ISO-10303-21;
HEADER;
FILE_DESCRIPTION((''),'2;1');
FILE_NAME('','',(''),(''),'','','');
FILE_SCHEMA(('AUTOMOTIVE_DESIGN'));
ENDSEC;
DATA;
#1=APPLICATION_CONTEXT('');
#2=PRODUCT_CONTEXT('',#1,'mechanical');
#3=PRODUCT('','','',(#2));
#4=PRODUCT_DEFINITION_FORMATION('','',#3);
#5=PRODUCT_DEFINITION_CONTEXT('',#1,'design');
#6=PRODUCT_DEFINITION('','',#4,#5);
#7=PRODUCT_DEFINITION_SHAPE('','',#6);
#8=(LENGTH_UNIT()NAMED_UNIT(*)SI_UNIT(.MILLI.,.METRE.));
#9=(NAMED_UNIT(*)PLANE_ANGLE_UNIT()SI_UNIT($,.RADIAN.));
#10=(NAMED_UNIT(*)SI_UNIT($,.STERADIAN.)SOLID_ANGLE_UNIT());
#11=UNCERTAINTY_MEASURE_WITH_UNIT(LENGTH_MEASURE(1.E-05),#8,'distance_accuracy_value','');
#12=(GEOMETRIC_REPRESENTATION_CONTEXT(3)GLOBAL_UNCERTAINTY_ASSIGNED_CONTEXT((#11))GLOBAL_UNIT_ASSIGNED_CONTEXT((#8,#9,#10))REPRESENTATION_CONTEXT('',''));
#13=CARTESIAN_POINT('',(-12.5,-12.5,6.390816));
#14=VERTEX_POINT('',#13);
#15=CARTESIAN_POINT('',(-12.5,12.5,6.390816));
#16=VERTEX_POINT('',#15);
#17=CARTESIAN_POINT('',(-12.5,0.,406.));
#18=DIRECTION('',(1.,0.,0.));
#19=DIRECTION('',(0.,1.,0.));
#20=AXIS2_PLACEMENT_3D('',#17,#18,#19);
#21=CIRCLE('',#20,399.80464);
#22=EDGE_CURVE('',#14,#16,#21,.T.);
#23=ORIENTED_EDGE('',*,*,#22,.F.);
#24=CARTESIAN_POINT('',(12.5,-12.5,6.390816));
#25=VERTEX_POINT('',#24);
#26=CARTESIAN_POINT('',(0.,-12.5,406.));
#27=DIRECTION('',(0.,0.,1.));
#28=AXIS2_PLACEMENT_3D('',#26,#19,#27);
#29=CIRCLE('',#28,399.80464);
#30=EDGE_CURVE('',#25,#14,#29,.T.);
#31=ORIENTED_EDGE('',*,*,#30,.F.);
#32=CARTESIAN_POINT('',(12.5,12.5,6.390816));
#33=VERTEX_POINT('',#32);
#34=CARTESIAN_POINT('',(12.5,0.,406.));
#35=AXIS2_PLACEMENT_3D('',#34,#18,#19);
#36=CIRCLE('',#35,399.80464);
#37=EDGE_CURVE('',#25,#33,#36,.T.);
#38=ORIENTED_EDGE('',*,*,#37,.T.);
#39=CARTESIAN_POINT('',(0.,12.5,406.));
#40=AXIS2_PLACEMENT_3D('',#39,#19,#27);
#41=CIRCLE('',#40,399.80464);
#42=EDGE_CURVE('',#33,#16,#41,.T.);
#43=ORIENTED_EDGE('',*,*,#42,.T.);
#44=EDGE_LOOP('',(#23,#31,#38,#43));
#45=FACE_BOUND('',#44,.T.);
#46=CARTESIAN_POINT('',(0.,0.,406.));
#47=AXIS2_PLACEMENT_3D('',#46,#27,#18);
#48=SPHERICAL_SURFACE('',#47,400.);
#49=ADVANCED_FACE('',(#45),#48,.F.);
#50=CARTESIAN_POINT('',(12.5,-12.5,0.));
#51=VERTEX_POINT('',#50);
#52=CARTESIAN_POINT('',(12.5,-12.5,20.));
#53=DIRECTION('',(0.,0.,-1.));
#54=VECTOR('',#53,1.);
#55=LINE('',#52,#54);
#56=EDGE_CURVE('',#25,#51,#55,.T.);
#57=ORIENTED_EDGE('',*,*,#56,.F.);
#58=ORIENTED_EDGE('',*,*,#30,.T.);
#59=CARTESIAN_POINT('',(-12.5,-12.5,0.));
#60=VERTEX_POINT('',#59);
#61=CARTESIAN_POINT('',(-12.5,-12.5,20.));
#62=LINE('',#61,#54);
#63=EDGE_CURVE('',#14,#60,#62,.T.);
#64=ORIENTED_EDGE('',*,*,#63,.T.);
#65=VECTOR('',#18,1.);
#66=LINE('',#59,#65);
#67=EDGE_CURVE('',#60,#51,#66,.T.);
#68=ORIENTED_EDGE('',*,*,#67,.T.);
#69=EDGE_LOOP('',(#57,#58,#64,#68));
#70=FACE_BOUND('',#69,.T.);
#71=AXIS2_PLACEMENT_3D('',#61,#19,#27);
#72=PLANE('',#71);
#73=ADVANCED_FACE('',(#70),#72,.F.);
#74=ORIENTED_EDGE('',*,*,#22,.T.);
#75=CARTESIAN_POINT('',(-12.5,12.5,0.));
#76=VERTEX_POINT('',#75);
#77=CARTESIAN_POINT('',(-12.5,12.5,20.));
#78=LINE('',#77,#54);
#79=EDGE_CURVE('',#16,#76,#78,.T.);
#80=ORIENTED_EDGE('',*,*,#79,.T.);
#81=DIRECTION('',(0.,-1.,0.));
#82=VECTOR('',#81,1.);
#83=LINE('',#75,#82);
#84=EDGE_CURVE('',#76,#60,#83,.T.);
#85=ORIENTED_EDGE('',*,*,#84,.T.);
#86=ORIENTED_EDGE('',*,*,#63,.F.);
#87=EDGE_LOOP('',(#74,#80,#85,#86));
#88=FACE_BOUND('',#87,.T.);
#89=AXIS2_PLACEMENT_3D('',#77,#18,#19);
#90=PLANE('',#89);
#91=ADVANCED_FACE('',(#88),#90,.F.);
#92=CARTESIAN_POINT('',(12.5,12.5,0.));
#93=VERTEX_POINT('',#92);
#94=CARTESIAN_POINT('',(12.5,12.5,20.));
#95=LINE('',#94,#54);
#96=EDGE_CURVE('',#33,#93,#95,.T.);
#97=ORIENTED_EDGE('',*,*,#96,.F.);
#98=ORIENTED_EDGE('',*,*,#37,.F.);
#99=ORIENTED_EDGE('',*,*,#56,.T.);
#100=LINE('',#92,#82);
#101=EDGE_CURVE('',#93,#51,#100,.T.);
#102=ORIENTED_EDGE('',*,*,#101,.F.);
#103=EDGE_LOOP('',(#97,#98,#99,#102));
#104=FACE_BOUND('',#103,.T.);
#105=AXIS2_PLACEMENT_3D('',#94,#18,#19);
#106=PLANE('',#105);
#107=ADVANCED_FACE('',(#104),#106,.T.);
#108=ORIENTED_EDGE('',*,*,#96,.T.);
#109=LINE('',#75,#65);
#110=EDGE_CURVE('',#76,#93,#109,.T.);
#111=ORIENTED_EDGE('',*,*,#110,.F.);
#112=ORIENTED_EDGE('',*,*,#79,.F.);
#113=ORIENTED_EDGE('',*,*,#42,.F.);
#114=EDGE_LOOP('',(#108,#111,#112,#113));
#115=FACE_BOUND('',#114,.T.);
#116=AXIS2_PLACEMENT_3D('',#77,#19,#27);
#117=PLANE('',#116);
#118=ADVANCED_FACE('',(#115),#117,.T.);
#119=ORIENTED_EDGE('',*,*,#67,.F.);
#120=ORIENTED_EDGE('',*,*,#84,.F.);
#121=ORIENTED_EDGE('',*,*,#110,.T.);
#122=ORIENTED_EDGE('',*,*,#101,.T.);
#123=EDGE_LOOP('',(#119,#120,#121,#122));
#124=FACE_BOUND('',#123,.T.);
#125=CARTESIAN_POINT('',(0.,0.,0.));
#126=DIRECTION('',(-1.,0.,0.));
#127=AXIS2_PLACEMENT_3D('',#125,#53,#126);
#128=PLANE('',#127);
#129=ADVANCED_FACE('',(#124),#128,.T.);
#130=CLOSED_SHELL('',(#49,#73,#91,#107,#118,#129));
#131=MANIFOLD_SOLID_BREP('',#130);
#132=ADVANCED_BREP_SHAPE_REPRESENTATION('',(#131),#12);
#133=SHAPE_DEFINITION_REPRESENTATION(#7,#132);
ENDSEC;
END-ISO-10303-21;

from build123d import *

# Parameters (mm, degrees)
SKETCH_1_W      = 25
SKETCH_1_H      = 25
EXTRUDE_1_DEPTH = 20


with BuildPart() as part:
    # 草图1 → 凸台-拉伸1 (new body)
    with BuildSketch(Plane.XY):
        Rectangle(SKETCH_1_W, SKETCH_1_H)
    extrude(amount=EXTRUDE_1_DEPTH)

    # 草图2 → 切除-旋转2 (revolve, cut)
    with BuildSketch(Plane(origin=(0, 0, 0), x_dir=(1, 0, 0), z_dir=(0, 1, 0))):
        with BuildLine():
            Line((389.938184725, -316.847254146), (0, -316.847254146))
            Line((0, -316.847254146), (0, -6))
            ThreePointArc((0, -6), (249.338025237, -93.221245653), (389.938184725, -316.847254146))
        make_face()
    revolve(axis=Axis((0, 0, 316.847254146), (0, 0, -1)), mode=Mode.SUBTRACT)


solid = part.part
